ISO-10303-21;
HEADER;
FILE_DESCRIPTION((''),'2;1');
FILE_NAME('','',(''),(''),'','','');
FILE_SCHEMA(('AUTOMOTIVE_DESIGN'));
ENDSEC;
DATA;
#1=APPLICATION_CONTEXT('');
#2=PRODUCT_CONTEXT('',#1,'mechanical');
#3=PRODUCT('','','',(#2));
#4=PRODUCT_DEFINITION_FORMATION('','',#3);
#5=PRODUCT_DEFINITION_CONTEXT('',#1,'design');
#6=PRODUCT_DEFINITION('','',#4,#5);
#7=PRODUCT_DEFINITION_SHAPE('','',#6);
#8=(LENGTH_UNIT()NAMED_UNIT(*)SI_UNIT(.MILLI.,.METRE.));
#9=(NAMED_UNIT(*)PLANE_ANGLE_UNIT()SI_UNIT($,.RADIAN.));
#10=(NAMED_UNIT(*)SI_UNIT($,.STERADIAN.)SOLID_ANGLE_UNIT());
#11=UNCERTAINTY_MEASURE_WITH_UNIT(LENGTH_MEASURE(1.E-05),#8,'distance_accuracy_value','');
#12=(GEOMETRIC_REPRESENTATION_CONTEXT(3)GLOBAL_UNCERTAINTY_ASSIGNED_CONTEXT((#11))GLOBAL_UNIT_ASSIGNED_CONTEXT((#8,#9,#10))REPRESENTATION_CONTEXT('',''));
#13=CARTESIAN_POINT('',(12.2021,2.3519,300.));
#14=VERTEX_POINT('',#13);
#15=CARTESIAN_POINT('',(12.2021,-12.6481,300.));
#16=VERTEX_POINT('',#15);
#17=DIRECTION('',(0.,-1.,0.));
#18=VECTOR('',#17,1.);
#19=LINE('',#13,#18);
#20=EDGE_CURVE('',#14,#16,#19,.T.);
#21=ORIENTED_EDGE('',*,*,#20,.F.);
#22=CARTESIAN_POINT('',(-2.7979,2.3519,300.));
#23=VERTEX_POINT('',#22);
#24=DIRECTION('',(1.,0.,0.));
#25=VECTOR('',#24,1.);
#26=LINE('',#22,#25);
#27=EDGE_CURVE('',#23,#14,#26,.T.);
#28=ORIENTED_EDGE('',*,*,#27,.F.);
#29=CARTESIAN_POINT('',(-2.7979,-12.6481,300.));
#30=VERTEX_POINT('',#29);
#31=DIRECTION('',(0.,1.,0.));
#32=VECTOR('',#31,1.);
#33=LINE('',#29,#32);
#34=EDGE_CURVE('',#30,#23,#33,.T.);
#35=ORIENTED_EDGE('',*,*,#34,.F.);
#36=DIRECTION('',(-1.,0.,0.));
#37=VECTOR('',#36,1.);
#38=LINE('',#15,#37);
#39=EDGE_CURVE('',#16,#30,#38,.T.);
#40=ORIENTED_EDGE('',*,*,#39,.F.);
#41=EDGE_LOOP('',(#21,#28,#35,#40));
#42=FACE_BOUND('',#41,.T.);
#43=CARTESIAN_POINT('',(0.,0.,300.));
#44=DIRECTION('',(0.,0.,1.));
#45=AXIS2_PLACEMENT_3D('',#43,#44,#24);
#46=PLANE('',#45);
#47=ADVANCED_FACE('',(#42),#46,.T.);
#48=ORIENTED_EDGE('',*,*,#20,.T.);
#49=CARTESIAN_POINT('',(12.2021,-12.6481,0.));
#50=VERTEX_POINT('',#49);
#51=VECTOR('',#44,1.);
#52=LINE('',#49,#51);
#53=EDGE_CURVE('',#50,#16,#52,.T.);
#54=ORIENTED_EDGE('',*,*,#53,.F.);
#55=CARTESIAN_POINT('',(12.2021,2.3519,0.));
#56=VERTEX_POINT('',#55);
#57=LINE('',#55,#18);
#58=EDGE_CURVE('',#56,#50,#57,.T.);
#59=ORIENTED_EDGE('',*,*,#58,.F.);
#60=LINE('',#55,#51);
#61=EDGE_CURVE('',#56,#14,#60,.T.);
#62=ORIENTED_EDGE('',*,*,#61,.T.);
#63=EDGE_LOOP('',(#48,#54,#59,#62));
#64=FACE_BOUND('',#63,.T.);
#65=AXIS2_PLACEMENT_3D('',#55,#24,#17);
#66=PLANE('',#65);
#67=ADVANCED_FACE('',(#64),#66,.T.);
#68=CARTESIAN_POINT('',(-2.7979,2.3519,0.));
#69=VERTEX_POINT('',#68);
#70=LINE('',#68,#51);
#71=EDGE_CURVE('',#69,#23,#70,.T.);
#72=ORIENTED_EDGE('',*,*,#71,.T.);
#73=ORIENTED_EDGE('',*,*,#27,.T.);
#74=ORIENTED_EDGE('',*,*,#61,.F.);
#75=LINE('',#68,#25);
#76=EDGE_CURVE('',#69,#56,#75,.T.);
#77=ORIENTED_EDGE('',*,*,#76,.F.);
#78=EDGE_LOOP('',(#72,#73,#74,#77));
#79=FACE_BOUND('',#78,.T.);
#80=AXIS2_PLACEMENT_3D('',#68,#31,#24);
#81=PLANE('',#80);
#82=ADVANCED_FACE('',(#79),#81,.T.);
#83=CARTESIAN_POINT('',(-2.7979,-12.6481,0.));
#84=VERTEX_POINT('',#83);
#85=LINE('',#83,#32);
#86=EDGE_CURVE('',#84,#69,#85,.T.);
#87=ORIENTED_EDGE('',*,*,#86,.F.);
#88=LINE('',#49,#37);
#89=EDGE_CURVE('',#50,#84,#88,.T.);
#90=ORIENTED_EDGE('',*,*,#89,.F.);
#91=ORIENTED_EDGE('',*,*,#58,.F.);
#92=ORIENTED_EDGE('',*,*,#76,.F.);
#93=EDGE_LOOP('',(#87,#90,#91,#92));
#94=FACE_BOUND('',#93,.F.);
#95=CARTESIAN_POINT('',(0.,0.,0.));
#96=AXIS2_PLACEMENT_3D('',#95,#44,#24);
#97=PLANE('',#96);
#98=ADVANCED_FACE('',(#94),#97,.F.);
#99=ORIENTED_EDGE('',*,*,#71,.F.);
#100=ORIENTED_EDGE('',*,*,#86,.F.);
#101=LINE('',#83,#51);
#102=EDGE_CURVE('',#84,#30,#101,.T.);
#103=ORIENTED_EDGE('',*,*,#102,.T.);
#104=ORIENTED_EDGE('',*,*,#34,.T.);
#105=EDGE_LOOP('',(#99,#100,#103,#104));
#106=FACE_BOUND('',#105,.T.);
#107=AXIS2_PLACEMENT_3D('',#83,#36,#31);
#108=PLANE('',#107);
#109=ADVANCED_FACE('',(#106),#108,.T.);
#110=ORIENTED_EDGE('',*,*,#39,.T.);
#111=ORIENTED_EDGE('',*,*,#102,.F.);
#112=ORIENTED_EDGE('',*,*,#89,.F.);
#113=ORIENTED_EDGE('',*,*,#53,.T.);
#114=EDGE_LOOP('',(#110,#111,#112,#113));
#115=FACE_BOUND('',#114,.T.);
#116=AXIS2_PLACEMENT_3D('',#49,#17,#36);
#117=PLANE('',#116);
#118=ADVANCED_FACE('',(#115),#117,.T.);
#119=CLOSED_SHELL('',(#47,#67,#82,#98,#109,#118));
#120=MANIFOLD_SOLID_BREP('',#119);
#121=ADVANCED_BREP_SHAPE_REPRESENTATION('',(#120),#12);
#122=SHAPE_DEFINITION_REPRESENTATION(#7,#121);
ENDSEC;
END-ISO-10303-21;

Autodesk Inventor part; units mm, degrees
ref_plane "YZ Plane" through (0, 0, 0) normal (1, 0, 0) x (0, 1, 0)
ref_plane "XZ Plane" through (0, 0, 0) normal (0, 1, 0) x (-1, 0, 0)
ref_plane "XY Plane" through (0, 0, 0) normal (0, 0, 1) x (1, 0, 0)
sketch "スケッチ1" plane through (0, 0, 0) normal (0, 0, 1) x (1, 0, 0)
  line L0 (-2.7979, 2.3519) -> (12.2021, 2.3519)
  line L1 (12.2021, 2.3519) -> (12.2021, -12.6481)
  line L2 (12.2021, -12.6481) -> (-2.7979, -12.6481)
  line L3 (-2.7979, -12.6481) -> (-2.7979, 2.3519)
  point P0 (0, 0)
  dimension "d0" = 15
  dimension "d1" = 15
extrude "押し出し1" add sketch "スケッチ1" along normal blind 300
equation "\"BendRadius\" = Thickness"
equation "\"BendReliefWidth\" = Thickness"
equation "\"BendReliefDepth\" = 0.5 * Thickness"
equation "\"CornerReliefSize\" = 4 * Thickness"
equation "\"MinimumRemnant\" = 2 * Thickness"
equation "\"TransitionRadius\" = BendRadius"
equation "\"JacobiRadiusSize\" = BendRadius"
equation "\"GapSize\" = Thickness"
equation "\"Thickness\" = 0.5"
properties part number "nhk3"
